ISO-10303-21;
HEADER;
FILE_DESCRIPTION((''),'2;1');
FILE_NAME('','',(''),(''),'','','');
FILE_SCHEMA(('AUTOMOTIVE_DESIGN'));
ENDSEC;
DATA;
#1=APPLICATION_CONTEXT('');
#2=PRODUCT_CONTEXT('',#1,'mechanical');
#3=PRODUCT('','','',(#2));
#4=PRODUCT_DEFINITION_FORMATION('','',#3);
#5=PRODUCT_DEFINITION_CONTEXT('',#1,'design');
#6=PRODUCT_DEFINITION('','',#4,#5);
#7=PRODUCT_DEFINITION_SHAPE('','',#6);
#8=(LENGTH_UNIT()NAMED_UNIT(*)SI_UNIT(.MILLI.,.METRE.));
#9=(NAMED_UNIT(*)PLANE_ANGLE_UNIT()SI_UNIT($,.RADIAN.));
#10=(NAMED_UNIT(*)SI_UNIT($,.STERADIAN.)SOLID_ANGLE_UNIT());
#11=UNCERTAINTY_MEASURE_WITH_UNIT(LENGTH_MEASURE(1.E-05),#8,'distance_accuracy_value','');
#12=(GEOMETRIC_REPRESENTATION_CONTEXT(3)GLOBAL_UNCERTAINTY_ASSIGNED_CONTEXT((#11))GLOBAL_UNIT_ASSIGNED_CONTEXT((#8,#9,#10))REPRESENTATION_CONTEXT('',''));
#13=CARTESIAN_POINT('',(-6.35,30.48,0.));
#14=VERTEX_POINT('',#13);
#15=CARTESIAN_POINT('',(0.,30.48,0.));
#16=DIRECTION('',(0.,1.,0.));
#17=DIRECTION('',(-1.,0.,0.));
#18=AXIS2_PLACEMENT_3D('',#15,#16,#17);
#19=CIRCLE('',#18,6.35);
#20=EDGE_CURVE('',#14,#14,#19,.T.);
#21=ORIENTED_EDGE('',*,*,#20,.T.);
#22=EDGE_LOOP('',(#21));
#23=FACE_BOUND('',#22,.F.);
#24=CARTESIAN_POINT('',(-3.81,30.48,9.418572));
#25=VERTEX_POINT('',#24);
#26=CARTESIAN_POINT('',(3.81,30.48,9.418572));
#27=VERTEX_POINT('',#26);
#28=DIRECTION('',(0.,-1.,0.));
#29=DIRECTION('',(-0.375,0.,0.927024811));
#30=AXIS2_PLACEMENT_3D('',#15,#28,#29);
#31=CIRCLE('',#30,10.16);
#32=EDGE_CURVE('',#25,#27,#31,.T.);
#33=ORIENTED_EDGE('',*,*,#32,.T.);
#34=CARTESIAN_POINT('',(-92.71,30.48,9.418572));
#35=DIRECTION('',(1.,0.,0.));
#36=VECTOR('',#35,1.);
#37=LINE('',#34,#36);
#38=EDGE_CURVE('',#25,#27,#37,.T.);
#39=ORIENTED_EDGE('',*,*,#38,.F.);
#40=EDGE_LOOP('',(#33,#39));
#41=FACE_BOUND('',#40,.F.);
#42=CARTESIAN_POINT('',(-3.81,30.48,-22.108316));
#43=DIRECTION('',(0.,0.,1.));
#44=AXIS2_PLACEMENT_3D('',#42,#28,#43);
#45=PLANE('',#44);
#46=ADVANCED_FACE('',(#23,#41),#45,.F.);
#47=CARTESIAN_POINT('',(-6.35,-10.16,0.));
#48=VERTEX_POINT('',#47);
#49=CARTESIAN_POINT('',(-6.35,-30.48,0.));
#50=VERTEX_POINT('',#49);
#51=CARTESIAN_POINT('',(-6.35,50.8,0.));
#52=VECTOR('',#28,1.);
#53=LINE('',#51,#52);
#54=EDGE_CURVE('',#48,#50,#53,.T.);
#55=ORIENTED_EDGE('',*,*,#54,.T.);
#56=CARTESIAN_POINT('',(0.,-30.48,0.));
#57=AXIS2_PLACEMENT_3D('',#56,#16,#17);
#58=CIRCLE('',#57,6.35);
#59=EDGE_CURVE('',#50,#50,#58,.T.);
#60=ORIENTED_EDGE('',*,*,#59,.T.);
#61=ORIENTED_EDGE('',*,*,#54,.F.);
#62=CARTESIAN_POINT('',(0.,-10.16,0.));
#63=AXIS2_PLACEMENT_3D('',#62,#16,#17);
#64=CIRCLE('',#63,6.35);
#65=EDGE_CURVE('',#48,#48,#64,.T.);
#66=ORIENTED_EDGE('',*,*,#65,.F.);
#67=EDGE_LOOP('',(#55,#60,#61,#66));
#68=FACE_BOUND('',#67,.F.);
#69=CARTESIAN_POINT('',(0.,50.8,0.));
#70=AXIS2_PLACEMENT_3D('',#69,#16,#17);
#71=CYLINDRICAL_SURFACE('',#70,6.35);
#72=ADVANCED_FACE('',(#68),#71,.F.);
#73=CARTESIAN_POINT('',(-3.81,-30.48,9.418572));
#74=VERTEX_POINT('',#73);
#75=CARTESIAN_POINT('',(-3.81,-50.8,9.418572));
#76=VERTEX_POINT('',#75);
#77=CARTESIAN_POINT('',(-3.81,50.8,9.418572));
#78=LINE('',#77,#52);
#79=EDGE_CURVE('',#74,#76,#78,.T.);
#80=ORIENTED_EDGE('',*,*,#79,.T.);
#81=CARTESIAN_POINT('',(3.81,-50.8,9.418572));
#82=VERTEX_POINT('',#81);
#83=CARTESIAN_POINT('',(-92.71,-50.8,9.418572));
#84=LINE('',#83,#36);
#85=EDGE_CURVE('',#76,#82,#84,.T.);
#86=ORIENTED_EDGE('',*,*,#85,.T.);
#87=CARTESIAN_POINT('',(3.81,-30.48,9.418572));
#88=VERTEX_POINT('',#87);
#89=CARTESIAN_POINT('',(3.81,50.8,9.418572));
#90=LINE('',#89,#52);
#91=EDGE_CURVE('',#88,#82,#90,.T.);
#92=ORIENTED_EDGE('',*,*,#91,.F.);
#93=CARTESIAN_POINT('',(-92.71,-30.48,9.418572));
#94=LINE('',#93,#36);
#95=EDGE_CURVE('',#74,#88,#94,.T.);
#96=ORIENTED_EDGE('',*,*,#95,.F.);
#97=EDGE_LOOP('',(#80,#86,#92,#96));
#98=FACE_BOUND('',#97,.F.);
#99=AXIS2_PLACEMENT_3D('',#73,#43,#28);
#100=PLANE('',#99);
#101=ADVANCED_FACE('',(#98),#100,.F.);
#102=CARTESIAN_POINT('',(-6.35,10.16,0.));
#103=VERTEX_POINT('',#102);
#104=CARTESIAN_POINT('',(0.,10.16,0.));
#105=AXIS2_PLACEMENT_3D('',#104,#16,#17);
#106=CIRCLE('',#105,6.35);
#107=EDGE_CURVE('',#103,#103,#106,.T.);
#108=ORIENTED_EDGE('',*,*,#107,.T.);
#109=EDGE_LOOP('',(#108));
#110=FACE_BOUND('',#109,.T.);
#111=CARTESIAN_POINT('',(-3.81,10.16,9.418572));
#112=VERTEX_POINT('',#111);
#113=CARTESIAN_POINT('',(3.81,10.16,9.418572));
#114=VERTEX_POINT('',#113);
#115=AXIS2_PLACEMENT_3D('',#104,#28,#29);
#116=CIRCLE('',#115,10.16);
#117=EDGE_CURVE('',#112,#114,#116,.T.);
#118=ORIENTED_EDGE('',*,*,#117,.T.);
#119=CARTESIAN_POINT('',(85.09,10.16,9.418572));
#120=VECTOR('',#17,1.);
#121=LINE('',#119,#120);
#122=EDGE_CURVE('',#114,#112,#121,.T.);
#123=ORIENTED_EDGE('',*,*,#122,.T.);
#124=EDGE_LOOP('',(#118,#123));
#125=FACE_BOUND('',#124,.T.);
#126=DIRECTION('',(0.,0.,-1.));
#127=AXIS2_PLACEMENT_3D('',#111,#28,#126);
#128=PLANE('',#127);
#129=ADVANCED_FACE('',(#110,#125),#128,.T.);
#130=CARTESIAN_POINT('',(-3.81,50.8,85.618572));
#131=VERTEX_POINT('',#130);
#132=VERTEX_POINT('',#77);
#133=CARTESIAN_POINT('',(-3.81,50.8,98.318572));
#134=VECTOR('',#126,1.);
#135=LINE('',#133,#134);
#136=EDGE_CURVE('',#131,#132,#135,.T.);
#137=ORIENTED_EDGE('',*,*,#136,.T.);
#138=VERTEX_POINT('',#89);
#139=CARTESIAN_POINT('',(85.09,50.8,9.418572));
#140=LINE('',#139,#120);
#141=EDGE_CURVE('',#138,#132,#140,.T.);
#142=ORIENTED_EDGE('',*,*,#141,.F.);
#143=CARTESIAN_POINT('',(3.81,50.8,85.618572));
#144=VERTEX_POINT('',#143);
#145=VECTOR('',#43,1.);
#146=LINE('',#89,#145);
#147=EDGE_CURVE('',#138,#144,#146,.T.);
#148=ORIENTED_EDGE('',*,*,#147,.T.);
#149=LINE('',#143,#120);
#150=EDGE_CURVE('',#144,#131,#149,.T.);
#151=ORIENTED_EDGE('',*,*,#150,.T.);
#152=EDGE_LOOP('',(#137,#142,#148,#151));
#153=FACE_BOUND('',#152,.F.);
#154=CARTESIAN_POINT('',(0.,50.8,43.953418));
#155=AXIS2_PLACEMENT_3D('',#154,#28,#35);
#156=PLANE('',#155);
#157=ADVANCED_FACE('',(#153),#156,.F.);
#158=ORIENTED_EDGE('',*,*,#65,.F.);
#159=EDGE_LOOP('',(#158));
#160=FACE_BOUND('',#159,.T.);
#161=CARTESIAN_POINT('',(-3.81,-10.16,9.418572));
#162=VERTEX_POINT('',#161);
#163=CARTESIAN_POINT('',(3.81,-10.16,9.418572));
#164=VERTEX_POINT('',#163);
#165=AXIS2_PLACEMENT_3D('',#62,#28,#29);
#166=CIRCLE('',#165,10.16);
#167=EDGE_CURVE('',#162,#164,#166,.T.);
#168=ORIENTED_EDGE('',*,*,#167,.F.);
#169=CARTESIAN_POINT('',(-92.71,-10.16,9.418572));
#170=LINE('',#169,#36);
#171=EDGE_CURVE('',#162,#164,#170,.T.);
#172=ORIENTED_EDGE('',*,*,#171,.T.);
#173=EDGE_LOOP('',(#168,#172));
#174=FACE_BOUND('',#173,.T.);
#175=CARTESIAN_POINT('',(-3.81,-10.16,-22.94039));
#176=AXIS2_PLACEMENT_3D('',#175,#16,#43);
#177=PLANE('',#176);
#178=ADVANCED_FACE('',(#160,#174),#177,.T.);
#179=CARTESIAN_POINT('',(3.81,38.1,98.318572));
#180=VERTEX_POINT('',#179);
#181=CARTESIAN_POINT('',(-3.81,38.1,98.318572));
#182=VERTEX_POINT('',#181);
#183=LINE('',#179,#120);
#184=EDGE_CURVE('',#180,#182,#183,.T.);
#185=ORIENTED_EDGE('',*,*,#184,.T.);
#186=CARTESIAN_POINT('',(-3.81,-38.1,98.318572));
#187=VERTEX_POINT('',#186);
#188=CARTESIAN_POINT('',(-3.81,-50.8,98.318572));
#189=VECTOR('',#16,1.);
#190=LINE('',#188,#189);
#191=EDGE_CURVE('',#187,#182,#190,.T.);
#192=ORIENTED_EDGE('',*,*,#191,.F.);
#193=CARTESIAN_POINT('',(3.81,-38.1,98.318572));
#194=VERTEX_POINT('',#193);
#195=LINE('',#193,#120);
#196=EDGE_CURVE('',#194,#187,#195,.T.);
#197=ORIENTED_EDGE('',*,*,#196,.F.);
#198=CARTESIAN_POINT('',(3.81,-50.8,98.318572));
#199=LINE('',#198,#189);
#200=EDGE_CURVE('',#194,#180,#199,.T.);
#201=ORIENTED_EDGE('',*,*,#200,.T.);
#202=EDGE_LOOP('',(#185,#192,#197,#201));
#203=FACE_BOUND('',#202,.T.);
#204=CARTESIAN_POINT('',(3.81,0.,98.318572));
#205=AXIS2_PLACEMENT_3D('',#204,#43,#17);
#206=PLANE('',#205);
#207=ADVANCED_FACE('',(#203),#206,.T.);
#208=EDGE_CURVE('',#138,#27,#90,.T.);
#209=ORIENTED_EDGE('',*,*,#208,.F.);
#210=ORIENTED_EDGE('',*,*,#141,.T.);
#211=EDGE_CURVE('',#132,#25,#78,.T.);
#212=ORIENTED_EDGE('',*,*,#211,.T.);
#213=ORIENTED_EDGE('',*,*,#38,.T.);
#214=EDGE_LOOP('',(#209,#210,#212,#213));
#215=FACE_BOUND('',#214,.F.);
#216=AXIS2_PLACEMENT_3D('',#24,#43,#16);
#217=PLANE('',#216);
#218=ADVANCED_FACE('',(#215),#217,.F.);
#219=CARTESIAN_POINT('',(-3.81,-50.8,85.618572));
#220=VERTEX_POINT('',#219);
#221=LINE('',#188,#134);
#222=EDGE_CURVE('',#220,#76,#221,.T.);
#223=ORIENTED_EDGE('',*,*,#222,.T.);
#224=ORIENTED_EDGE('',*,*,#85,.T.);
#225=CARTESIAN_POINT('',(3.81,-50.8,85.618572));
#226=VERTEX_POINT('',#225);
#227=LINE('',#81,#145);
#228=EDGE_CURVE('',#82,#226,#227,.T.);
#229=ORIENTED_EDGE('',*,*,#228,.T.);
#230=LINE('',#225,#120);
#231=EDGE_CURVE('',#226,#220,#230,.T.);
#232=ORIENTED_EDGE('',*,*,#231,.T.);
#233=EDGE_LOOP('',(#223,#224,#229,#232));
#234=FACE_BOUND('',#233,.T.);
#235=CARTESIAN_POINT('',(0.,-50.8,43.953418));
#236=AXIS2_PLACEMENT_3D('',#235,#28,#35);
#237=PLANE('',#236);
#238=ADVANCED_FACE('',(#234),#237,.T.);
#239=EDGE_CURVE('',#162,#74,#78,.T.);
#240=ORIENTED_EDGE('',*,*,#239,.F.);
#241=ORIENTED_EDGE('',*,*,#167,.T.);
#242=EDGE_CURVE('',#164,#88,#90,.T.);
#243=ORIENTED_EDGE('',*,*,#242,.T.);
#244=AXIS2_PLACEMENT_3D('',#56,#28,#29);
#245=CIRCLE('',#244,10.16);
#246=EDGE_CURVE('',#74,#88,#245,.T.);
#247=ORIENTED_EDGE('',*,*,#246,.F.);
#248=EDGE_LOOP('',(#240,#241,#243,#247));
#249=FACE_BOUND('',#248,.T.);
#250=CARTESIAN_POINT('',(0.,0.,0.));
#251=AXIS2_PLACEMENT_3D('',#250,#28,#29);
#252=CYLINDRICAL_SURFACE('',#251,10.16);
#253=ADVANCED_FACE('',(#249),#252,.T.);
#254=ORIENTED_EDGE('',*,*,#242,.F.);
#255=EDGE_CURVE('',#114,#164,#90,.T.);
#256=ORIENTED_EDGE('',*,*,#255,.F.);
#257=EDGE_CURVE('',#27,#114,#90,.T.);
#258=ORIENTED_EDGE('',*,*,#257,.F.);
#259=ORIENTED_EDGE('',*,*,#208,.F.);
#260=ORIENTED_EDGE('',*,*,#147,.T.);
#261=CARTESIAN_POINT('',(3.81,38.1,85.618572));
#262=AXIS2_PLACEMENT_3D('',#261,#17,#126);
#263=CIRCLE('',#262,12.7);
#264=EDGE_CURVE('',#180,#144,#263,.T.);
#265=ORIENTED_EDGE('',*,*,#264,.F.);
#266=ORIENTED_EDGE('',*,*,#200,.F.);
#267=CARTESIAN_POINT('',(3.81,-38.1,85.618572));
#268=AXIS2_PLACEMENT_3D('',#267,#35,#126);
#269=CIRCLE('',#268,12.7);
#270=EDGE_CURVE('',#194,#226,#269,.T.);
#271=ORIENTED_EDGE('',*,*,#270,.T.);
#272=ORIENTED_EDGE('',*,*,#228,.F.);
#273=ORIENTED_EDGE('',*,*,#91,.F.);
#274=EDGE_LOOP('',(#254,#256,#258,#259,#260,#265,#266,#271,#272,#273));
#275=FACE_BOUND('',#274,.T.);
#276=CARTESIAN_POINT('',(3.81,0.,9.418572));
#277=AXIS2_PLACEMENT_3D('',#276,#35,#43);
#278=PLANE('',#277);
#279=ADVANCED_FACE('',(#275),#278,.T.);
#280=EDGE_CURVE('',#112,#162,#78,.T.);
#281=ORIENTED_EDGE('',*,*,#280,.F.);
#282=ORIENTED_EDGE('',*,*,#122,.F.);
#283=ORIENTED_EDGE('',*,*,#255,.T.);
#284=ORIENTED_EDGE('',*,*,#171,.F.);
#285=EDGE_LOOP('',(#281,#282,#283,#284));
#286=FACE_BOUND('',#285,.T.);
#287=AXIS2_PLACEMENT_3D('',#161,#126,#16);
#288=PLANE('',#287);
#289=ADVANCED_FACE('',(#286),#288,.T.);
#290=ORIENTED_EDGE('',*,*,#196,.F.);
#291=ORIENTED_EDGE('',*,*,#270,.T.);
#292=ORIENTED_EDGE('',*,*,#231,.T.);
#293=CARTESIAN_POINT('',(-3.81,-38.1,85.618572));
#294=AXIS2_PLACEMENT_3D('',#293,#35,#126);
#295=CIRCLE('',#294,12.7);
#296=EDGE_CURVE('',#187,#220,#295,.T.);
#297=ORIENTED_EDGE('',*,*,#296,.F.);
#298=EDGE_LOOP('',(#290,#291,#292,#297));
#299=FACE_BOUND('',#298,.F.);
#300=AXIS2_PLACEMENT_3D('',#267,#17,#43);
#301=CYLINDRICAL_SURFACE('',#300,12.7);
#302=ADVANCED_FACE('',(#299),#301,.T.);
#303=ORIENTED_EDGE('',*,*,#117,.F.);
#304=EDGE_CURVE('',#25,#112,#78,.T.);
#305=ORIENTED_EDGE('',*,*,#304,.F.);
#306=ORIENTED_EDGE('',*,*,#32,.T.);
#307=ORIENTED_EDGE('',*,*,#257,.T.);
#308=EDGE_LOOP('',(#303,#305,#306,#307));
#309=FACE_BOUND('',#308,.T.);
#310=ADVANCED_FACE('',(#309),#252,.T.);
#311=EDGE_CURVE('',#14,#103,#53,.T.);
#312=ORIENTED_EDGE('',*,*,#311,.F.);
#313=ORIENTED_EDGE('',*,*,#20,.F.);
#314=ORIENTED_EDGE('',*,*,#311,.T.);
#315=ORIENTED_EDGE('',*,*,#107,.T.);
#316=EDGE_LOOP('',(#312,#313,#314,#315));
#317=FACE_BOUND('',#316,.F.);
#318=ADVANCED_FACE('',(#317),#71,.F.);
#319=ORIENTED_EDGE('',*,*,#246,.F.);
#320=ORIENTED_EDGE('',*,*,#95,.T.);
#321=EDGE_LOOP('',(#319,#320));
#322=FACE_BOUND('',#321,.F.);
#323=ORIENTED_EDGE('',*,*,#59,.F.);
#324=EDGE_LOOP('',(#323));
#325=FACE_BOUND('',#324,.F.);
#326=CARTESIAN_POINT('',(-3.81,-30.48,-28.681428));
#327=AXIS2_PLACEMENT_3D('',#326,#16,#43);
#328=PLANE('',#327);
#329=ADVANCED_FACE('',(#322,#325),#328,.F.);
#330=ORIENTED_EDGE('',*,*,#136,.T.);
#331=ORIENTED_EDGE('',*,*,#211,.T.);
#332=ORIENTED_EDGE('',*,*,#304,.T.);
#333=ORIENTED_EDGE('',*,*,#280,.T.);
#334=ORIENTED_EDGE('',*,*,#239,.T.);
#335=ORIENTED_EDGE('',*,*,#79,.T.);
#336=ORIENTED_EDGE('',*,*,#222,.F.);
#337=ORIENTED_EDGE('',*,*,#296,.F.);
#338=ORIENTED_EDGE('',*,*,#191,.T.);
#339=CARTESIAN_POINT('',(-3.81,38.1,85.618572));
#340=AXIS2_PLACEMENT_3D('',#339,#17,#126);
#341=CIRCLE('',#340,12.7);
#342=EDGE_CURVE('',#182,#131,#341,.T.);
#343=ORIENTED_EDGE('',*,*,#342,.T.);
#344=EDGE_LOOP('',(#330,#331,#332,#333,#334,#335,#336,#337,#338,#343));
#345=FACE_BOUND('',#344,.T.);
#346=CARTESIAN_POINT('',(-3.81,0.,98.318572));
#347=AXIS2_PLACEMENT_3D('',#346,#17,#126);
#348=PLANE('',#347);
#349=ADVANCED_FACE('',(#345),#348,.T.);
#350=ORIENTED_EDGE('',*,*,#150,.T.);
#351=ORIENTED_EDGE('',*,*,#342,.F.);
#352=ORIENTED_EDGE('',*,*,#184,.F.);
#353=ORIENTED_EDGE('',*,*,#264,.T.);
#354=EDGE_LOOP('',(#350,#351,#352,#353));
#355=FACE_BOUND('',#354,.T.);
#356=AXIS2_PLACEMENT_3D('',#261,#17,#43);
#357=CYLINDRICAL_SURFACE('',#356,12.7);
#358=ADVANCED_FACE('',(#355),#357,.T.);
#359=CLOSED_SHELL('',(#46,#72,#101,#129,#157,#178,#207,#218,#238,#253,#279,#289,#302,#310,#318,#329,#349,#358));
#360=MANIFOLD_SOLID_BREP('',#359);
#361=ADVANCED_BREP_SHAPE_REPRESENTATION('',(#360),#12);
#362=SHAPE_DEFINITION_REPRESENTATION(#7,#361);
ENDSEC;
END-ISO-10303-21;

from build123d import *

# Parameters (mm, degrees)
F1_DEPTH = 50.8
F2_R     = 12.7
F3_R     = 6.35
F4_DEPTH = 101.601
F5_W     = 20.32
F5_H     = 38.1
F6_DEPTH = 88.9


with BuildPart() as f1:
    # F0 (on Front) → F1 (new body, symmetric)
    with BuildSketch(Plane.XZ):
        with BuildLine():
            Line((-3.81, 98.3185720786), (-3.81, 9.4185720786))
            ThreePointArc((-3.81, 9.4185720786), (0, -10.16), (3.81, 9.4185720786))
            Line((3.81, 9.4185720786), (3.81, 98.3185720786))
            Line((3.81, 98.3185720786), (-3.81, 98.3185720786))
        make_face()
    extrude(amount=F1_DEPTH, both=True)

    # F2
    f2_edges = [f1.edges().sort_by_distance(p)[0] for p in [
        (0, -50.8, 98.318572),
        (0, 50.8, 98.318572),
    ]]
    fillet(f2_edges, radius=F2_R)

    # F3 (on face) → F4 (cut, through all)
    with BuildSketch(Plane(origin=(0, 50.8, 0), x_dir=(-1, 0, 0), z_dir=(0, 1, 0))):
        Circle(F3_R)
    extrude(amount=-F4_DEPTH, mode=Mode.SUBTRACT)

    # F5 (on face) → F6 (cut, symmetric)
    with BuildSketch(Plane(origin=(-3.81, 0, 0), x_dir=(0, -1, 0), z_dir=(-1, 0, 0))):
        with Locations((40.64, -9.6314279214)):
            Rectangle(F5_W, F5_H)
        Polygon((10.16, 9.4185720786), (-10.16, 9.4185720786), (-10.16, -20.9424663335), (-10.16, -22.940389812), (10.16, -22.940389812), align=None)
        Polygon((-30.48, 9.4185720786), (-50.8, 9.4185720786), (-50.8, -9.6314279214), (-50.8, -22.1083164215), (-30.48, -22.1083164215), align=None)
    extrude(amount=F6_DEPTH, both=True, mode=Mode.SUBTRACT)


solid = f1.part
